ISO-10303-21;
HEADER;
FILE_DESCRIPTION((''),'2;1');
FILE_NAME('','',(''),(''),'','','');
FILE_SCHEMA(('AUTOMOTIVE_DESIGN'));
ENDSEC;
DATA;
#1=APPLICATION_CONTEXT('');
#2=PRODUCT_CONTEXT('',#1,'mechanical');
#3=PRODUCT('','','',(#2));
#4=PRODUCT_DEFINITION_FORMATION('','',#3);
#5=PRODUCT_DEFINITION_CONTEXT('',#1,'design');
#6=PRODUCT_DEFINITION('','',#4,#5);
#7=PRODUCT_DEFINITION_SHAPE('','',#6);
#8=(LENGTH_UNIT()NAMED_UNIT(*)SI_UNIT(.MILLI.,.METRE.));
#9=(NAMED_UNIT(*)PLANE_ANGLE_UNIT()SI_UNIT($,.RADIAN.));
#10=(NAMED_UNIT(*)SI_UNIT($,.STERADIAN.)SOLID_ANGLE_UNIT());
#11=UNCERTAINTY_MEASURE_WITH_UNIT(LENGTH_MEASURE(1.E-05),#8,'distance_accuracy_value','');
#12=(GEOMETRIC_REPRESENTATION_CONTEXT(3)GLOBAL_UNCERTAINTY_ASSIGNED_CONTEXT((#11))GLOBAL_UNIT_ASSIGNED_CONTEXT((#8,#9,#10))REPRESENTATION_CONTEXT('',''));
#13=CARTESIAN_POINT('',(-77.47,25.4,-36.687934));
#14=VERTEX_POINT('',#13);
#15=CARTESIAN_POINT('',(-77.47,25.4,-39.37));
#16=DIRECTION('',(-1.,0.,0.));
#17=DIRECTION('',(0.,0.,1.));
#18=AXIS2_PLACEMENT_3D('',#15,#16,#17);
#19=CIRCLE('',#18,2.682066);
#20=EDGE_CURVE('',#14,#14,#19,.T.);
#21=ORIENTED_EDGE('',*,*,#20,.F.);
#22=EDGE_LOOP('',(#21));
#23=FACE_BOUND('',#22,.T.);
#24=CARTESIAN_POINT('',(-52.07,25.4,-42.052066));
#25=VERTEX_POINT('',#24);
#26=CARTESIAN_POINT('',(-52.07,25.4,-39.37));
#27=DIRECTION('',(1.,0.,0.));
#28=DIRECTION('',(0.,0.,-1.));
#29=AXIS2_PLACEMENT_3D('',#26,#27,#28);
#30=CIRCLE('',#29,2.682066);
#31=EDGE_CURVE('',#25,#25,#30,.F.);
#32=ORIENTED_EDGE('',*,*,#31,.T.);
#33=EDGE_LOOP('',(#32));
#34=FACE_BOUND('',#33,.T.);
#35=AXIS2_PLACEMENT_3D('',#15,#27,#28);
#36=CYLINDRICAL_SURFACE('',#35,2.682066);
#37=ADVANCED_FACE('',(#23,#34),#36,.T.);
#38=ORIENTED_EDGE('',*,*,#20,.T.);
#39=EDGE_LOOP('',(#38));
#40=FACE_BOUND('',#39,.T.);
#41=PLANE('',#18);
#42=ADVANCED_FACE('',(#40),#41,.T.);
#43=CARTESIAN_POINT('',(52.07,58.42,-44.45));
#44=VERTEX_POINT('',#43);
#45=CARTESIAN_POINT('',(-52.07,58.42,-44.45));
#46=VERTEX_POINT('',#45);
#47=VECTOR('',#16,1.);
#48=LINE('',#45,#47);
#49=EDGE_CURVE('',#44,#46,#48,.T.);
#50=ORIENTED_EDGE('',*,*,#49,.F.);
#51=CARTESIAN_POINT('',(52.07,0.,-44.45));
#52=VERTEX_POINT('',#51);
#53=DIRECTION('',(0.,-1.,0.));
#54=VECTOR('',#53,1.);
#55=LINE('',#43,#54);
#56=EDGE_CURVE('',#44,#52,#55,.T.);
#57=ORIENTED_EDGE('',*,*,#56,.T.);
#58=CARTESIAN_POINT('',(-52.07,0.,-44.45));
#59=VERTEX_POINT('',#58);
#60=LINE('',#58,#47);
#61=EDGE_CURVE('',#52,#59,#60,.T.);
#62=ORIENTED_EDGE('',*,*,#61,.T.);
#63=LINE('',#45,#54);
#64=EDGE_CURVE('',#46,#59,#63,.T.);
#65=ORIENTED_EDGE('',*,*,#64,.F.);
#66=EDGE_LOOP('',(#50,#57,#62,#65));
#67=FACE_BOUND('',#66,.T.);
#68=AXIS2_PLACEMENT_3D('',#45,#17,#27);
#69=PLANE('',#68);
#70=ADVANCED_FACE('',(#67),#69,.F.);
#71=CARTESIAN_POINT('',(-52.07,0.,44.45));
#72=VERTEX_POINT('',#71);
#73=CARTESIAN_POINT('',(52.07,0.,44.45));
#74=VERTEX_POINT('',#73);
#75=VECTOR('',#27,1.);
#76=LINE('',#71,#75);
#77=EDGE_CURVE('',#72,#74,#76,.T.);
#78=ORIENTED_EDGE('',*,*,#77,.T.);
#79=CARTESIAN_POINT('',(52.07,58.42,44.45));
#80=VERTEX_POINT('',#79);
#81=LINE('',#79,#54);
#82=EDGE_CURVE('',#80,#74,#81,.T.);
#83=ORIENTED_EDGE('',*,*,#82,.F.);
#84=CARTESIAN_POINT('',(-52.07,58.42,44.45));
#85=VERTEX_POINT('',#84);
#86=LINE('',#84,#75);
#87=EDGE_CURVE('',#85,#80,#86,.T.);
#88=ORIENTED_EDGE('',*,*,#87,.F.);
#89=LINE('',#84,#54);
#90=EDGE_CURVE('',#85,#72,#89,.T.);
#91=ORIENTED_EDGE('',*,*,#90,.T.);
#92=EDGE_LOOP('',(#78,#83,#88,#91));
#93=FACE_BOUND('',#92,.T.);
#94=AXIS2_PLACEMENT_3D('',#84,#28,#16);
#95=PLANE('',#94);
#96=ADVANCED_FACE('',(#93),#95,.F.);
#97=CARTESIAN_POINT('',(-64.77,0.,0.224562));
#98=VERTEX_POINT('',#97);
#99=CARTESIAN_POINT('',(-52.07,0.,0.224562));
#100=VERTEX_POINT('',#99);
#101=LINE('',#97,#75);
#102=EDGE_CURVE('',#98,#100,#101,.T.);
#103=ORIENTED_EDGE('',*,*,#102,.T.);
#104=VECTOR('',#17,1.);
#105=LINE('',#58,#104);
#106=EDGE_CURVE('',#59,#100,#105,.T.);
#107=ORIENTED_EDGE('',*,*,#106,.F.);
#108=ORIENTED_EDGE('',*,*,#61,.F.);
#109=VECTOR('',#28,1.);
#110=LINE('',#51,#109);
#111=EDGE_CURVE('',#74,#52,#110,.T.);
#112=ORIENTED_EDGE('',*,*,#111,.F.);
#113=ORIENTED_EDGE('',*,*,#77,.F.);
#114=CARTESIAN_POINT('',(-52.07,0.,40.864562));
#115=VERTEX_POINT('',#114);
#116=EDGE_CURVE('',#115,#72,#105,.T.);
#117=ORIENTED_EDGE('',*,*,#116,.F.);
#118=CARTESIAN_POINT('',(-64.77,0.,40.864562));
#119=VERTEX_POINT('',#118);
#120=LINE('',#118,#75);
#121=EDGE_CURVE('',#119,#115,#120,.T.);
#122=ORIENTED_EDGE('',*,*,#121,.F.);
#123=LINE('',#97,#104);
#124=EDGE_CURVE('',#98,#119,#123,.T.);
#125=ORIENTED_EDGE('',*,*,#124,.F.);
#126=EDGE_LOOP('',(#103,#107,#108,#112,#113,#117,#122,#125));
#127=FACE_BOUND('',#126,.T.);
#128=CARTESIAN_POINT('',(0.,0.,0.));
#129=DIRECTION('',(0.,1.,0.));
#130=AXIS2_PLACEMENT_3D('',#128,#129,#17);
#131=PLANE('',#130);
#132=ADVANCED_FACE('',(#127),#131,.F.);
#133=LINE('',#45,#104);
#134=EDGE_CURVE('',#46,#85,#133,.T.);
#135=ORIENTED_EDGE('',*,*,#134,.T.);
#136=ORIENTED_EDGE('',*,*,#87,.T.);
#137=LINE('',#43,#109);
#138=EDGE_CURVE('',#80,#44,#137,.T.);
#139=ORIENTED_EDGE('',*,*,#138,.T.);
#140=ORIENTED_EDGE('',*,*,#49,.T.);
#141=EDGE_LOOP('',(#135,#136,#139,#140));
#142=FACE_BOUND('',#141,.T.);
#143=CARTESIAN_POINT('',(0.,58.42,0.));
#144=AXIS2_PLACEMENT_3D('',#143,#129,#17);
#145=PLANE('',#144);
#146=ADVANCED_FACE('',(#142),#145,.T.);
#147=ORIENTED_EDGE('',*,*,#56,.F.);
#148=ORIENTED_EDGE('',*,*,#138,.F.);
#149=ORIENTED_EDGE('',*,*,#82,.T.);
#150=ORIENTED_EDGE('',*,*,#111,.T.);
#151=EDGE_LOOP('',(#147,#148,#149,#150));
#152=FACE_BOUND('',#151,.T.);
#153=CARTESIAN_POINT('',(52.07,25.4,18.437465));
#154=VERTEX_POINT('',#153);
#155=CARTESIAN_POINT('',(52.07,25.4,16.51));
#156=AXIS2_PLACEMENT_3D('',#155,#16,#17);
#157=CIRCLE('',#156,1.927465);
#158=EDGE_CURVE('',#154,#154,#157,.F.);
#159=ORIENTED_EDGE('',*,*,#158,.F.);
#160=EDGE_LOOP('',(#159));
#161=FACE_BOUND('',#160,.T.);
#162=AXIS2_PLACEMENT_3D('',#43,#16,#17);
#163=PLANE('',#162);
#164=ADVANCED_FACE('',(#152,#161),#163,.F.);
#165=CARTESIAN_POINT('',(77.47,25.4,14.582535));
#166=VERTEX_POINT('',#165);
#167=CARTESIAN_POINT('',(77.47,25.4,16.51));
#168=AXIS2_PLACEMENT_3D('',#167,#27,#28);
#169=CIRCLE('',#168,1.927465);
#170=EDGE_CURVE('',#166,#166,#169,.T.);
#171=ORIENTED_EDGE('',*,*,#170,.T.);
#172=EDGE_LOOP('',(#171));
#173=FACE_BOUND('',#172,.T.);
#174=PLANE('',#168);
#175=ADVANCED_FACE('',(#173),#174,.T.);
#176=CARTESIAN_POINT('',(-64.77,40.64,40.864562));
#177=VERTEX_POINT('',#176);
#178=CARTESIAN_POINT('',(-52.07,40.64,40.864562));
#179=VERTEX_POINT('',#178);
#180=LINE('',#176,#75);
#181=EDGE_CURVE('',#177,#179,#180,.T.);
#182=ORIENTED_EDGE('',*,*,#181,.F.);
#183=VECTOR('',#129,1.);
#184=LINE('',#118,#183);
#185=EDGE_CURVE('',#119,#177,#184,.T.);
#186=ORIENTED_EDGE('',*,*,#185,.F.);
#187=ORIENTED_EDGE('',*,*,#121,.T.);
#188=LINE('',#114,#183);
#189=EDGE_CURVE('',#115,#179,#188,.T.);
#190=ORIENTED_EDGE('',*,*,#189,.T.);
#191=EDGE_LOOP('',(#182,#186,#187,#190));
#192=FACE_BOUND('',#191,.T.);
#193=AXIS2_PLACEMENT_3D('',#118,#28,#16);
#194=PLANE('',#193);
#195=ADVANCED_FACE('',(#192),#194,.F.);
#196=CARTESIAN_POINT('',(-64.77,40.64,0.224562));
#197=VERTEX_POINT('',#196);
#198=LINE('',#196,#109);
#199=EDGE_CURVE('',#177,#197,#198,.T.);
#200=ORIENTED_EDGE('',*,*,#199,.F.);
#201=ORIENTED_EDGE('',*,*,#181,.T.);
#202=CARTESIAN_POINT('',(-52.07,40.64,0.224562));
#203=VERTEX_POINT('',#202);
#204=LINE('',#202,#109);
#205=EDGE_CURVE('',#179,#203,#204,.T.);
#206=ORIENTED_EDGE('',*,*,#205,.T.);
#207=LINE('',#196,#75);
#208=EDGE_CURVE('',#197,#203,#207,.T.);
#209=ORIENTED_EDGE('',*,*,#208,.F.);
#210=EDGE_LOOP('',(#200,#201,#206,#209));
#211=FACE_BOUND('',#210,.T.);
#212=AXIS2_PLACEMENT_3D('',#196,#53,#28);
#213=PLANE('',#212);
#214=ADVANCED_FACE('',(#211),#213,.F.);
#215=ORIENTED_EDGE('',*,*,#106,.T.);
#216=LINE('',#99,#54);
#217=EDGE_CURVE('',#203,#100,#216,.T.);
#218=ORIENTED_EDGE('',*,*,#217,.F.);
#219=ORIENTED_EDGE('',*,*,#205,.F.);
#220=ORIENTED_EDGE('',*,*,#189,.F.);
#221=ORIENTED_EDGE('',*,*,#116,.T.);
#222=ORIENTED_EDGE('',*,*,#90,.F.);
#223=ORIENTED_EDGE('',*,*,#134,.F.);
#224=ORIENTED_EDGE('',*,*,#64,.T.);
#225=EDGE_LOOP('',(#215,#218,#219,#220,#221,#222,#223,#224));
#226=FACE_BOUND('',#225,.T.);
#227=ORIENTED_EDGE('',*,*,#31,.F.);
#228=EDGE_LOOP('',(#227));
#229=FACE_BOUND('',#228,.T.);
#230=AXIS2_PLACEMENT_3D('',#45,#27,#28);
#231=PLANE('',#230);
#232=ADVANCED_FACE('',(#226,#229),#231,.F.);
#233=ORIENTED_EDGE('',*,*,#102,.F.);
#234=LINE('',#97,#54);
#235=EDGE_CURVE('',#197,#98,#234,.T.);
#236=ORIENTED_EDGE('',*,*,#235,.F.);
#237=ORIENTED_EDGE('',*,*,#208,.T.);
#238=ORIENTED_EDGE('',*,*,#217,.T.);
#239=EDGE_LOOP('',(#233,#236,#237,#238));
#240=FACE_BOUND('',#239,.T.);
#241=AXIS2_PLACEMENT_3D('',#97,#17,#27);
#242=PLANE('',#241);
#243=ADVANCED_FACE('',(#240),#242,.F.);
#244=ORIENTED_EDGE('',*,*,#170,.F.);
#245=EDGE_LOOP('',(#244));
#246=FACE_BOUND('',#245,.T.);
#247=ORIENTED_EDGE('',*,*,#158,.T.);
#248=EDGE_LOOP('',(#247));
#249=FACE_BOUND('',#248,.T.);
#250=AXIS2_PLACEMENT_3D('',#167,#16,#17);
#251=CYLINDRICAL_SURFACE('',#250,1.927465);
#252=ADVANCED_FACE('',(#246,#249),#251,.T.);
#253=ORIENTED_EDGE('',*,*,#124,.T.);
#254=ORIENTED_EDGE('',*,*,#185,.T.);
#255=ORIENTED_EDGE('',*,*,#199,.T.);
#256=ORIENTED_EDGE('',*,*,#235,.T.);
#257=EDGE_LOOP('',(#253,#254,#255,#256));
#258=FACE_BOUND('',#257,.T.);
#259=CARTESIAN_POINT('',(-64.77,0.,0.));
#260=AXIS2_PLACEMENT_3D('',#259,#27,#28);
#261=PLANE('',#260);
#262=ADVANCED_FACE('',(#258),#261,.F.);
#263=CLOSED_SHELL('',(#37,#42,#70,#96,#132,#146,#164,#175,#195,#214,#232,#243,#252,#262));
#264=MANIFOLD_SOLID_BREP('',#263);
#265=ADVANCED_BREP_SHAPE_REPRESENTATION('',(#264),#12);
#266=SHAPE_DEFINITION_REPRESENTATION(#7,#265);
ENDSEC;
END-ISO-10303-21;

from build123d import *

# Parameters (mm, degrees)
SKETCH1_W           = 104.14
SKETCH1_H           = 88.9
BOSS_EXTRUDE1_DEPTH = 58.42
SKETCH2_W           = 40.64
SKETCH2_H           = 40.64
BOSS_EXTRUDE2_DEPTH = 12.7
SKETCH3_R           = 1.927464999
BOSS_EXTRUDE3_DEPTH = 25.4
SKETCH4_R           = 2.682066204
BOSS_EXTRUDE4_DEPTH = 25.4


with BuildPart() as part:
    # Sketch1 → Boss-Extrude1 (new body)
    with BuildSketch(Plane(origin=(0, 0, 0), x_dir=(1, 0, 0), z_dir=(0, 1, 0))):
        Rectangle(SKETCH1_W, SKETCH1_H)
    extrude(amount=BOSS_EXTRUDE1_DEPTH)

    # Sketch2 → Boss-Extrude2 (add)
    with BuildSketch(Plane.ZY.offset(52.07)):
        with Locations((20.544561746, 20.32)):
            Rectangle(SKETCH2_W, SKETCH2_H)
    extrude(amount=BOSS_EXTRUDE2_DEPTH)

    # Sketch3 → Boss-Extrude3 (add)
    with BuildSketch(Plane(origin=(52.07, 0, 0), x_dir=(0, 0, -1), z_dir=(1, 0, 0))):
        with Locations(Location((-16.51, 25.4, 0), (0, 0, 180))):
            Circle(SKETCH3_R)
    extrude(amount=BOSS_EXTRUDE3_DEPTH)

    # Sketch4 → Boss-Extrude4 (add)
    with BuildSketch(Plane.ZY.offset(52.07)):
        with Locations(Location((-39.37, 25.4, 0), (0, 0, 180))):
            Circle(SKETCH4_R)
    extrude(amount=BOSS_EXTRUDE4_DEPTH)


solid = part.part
